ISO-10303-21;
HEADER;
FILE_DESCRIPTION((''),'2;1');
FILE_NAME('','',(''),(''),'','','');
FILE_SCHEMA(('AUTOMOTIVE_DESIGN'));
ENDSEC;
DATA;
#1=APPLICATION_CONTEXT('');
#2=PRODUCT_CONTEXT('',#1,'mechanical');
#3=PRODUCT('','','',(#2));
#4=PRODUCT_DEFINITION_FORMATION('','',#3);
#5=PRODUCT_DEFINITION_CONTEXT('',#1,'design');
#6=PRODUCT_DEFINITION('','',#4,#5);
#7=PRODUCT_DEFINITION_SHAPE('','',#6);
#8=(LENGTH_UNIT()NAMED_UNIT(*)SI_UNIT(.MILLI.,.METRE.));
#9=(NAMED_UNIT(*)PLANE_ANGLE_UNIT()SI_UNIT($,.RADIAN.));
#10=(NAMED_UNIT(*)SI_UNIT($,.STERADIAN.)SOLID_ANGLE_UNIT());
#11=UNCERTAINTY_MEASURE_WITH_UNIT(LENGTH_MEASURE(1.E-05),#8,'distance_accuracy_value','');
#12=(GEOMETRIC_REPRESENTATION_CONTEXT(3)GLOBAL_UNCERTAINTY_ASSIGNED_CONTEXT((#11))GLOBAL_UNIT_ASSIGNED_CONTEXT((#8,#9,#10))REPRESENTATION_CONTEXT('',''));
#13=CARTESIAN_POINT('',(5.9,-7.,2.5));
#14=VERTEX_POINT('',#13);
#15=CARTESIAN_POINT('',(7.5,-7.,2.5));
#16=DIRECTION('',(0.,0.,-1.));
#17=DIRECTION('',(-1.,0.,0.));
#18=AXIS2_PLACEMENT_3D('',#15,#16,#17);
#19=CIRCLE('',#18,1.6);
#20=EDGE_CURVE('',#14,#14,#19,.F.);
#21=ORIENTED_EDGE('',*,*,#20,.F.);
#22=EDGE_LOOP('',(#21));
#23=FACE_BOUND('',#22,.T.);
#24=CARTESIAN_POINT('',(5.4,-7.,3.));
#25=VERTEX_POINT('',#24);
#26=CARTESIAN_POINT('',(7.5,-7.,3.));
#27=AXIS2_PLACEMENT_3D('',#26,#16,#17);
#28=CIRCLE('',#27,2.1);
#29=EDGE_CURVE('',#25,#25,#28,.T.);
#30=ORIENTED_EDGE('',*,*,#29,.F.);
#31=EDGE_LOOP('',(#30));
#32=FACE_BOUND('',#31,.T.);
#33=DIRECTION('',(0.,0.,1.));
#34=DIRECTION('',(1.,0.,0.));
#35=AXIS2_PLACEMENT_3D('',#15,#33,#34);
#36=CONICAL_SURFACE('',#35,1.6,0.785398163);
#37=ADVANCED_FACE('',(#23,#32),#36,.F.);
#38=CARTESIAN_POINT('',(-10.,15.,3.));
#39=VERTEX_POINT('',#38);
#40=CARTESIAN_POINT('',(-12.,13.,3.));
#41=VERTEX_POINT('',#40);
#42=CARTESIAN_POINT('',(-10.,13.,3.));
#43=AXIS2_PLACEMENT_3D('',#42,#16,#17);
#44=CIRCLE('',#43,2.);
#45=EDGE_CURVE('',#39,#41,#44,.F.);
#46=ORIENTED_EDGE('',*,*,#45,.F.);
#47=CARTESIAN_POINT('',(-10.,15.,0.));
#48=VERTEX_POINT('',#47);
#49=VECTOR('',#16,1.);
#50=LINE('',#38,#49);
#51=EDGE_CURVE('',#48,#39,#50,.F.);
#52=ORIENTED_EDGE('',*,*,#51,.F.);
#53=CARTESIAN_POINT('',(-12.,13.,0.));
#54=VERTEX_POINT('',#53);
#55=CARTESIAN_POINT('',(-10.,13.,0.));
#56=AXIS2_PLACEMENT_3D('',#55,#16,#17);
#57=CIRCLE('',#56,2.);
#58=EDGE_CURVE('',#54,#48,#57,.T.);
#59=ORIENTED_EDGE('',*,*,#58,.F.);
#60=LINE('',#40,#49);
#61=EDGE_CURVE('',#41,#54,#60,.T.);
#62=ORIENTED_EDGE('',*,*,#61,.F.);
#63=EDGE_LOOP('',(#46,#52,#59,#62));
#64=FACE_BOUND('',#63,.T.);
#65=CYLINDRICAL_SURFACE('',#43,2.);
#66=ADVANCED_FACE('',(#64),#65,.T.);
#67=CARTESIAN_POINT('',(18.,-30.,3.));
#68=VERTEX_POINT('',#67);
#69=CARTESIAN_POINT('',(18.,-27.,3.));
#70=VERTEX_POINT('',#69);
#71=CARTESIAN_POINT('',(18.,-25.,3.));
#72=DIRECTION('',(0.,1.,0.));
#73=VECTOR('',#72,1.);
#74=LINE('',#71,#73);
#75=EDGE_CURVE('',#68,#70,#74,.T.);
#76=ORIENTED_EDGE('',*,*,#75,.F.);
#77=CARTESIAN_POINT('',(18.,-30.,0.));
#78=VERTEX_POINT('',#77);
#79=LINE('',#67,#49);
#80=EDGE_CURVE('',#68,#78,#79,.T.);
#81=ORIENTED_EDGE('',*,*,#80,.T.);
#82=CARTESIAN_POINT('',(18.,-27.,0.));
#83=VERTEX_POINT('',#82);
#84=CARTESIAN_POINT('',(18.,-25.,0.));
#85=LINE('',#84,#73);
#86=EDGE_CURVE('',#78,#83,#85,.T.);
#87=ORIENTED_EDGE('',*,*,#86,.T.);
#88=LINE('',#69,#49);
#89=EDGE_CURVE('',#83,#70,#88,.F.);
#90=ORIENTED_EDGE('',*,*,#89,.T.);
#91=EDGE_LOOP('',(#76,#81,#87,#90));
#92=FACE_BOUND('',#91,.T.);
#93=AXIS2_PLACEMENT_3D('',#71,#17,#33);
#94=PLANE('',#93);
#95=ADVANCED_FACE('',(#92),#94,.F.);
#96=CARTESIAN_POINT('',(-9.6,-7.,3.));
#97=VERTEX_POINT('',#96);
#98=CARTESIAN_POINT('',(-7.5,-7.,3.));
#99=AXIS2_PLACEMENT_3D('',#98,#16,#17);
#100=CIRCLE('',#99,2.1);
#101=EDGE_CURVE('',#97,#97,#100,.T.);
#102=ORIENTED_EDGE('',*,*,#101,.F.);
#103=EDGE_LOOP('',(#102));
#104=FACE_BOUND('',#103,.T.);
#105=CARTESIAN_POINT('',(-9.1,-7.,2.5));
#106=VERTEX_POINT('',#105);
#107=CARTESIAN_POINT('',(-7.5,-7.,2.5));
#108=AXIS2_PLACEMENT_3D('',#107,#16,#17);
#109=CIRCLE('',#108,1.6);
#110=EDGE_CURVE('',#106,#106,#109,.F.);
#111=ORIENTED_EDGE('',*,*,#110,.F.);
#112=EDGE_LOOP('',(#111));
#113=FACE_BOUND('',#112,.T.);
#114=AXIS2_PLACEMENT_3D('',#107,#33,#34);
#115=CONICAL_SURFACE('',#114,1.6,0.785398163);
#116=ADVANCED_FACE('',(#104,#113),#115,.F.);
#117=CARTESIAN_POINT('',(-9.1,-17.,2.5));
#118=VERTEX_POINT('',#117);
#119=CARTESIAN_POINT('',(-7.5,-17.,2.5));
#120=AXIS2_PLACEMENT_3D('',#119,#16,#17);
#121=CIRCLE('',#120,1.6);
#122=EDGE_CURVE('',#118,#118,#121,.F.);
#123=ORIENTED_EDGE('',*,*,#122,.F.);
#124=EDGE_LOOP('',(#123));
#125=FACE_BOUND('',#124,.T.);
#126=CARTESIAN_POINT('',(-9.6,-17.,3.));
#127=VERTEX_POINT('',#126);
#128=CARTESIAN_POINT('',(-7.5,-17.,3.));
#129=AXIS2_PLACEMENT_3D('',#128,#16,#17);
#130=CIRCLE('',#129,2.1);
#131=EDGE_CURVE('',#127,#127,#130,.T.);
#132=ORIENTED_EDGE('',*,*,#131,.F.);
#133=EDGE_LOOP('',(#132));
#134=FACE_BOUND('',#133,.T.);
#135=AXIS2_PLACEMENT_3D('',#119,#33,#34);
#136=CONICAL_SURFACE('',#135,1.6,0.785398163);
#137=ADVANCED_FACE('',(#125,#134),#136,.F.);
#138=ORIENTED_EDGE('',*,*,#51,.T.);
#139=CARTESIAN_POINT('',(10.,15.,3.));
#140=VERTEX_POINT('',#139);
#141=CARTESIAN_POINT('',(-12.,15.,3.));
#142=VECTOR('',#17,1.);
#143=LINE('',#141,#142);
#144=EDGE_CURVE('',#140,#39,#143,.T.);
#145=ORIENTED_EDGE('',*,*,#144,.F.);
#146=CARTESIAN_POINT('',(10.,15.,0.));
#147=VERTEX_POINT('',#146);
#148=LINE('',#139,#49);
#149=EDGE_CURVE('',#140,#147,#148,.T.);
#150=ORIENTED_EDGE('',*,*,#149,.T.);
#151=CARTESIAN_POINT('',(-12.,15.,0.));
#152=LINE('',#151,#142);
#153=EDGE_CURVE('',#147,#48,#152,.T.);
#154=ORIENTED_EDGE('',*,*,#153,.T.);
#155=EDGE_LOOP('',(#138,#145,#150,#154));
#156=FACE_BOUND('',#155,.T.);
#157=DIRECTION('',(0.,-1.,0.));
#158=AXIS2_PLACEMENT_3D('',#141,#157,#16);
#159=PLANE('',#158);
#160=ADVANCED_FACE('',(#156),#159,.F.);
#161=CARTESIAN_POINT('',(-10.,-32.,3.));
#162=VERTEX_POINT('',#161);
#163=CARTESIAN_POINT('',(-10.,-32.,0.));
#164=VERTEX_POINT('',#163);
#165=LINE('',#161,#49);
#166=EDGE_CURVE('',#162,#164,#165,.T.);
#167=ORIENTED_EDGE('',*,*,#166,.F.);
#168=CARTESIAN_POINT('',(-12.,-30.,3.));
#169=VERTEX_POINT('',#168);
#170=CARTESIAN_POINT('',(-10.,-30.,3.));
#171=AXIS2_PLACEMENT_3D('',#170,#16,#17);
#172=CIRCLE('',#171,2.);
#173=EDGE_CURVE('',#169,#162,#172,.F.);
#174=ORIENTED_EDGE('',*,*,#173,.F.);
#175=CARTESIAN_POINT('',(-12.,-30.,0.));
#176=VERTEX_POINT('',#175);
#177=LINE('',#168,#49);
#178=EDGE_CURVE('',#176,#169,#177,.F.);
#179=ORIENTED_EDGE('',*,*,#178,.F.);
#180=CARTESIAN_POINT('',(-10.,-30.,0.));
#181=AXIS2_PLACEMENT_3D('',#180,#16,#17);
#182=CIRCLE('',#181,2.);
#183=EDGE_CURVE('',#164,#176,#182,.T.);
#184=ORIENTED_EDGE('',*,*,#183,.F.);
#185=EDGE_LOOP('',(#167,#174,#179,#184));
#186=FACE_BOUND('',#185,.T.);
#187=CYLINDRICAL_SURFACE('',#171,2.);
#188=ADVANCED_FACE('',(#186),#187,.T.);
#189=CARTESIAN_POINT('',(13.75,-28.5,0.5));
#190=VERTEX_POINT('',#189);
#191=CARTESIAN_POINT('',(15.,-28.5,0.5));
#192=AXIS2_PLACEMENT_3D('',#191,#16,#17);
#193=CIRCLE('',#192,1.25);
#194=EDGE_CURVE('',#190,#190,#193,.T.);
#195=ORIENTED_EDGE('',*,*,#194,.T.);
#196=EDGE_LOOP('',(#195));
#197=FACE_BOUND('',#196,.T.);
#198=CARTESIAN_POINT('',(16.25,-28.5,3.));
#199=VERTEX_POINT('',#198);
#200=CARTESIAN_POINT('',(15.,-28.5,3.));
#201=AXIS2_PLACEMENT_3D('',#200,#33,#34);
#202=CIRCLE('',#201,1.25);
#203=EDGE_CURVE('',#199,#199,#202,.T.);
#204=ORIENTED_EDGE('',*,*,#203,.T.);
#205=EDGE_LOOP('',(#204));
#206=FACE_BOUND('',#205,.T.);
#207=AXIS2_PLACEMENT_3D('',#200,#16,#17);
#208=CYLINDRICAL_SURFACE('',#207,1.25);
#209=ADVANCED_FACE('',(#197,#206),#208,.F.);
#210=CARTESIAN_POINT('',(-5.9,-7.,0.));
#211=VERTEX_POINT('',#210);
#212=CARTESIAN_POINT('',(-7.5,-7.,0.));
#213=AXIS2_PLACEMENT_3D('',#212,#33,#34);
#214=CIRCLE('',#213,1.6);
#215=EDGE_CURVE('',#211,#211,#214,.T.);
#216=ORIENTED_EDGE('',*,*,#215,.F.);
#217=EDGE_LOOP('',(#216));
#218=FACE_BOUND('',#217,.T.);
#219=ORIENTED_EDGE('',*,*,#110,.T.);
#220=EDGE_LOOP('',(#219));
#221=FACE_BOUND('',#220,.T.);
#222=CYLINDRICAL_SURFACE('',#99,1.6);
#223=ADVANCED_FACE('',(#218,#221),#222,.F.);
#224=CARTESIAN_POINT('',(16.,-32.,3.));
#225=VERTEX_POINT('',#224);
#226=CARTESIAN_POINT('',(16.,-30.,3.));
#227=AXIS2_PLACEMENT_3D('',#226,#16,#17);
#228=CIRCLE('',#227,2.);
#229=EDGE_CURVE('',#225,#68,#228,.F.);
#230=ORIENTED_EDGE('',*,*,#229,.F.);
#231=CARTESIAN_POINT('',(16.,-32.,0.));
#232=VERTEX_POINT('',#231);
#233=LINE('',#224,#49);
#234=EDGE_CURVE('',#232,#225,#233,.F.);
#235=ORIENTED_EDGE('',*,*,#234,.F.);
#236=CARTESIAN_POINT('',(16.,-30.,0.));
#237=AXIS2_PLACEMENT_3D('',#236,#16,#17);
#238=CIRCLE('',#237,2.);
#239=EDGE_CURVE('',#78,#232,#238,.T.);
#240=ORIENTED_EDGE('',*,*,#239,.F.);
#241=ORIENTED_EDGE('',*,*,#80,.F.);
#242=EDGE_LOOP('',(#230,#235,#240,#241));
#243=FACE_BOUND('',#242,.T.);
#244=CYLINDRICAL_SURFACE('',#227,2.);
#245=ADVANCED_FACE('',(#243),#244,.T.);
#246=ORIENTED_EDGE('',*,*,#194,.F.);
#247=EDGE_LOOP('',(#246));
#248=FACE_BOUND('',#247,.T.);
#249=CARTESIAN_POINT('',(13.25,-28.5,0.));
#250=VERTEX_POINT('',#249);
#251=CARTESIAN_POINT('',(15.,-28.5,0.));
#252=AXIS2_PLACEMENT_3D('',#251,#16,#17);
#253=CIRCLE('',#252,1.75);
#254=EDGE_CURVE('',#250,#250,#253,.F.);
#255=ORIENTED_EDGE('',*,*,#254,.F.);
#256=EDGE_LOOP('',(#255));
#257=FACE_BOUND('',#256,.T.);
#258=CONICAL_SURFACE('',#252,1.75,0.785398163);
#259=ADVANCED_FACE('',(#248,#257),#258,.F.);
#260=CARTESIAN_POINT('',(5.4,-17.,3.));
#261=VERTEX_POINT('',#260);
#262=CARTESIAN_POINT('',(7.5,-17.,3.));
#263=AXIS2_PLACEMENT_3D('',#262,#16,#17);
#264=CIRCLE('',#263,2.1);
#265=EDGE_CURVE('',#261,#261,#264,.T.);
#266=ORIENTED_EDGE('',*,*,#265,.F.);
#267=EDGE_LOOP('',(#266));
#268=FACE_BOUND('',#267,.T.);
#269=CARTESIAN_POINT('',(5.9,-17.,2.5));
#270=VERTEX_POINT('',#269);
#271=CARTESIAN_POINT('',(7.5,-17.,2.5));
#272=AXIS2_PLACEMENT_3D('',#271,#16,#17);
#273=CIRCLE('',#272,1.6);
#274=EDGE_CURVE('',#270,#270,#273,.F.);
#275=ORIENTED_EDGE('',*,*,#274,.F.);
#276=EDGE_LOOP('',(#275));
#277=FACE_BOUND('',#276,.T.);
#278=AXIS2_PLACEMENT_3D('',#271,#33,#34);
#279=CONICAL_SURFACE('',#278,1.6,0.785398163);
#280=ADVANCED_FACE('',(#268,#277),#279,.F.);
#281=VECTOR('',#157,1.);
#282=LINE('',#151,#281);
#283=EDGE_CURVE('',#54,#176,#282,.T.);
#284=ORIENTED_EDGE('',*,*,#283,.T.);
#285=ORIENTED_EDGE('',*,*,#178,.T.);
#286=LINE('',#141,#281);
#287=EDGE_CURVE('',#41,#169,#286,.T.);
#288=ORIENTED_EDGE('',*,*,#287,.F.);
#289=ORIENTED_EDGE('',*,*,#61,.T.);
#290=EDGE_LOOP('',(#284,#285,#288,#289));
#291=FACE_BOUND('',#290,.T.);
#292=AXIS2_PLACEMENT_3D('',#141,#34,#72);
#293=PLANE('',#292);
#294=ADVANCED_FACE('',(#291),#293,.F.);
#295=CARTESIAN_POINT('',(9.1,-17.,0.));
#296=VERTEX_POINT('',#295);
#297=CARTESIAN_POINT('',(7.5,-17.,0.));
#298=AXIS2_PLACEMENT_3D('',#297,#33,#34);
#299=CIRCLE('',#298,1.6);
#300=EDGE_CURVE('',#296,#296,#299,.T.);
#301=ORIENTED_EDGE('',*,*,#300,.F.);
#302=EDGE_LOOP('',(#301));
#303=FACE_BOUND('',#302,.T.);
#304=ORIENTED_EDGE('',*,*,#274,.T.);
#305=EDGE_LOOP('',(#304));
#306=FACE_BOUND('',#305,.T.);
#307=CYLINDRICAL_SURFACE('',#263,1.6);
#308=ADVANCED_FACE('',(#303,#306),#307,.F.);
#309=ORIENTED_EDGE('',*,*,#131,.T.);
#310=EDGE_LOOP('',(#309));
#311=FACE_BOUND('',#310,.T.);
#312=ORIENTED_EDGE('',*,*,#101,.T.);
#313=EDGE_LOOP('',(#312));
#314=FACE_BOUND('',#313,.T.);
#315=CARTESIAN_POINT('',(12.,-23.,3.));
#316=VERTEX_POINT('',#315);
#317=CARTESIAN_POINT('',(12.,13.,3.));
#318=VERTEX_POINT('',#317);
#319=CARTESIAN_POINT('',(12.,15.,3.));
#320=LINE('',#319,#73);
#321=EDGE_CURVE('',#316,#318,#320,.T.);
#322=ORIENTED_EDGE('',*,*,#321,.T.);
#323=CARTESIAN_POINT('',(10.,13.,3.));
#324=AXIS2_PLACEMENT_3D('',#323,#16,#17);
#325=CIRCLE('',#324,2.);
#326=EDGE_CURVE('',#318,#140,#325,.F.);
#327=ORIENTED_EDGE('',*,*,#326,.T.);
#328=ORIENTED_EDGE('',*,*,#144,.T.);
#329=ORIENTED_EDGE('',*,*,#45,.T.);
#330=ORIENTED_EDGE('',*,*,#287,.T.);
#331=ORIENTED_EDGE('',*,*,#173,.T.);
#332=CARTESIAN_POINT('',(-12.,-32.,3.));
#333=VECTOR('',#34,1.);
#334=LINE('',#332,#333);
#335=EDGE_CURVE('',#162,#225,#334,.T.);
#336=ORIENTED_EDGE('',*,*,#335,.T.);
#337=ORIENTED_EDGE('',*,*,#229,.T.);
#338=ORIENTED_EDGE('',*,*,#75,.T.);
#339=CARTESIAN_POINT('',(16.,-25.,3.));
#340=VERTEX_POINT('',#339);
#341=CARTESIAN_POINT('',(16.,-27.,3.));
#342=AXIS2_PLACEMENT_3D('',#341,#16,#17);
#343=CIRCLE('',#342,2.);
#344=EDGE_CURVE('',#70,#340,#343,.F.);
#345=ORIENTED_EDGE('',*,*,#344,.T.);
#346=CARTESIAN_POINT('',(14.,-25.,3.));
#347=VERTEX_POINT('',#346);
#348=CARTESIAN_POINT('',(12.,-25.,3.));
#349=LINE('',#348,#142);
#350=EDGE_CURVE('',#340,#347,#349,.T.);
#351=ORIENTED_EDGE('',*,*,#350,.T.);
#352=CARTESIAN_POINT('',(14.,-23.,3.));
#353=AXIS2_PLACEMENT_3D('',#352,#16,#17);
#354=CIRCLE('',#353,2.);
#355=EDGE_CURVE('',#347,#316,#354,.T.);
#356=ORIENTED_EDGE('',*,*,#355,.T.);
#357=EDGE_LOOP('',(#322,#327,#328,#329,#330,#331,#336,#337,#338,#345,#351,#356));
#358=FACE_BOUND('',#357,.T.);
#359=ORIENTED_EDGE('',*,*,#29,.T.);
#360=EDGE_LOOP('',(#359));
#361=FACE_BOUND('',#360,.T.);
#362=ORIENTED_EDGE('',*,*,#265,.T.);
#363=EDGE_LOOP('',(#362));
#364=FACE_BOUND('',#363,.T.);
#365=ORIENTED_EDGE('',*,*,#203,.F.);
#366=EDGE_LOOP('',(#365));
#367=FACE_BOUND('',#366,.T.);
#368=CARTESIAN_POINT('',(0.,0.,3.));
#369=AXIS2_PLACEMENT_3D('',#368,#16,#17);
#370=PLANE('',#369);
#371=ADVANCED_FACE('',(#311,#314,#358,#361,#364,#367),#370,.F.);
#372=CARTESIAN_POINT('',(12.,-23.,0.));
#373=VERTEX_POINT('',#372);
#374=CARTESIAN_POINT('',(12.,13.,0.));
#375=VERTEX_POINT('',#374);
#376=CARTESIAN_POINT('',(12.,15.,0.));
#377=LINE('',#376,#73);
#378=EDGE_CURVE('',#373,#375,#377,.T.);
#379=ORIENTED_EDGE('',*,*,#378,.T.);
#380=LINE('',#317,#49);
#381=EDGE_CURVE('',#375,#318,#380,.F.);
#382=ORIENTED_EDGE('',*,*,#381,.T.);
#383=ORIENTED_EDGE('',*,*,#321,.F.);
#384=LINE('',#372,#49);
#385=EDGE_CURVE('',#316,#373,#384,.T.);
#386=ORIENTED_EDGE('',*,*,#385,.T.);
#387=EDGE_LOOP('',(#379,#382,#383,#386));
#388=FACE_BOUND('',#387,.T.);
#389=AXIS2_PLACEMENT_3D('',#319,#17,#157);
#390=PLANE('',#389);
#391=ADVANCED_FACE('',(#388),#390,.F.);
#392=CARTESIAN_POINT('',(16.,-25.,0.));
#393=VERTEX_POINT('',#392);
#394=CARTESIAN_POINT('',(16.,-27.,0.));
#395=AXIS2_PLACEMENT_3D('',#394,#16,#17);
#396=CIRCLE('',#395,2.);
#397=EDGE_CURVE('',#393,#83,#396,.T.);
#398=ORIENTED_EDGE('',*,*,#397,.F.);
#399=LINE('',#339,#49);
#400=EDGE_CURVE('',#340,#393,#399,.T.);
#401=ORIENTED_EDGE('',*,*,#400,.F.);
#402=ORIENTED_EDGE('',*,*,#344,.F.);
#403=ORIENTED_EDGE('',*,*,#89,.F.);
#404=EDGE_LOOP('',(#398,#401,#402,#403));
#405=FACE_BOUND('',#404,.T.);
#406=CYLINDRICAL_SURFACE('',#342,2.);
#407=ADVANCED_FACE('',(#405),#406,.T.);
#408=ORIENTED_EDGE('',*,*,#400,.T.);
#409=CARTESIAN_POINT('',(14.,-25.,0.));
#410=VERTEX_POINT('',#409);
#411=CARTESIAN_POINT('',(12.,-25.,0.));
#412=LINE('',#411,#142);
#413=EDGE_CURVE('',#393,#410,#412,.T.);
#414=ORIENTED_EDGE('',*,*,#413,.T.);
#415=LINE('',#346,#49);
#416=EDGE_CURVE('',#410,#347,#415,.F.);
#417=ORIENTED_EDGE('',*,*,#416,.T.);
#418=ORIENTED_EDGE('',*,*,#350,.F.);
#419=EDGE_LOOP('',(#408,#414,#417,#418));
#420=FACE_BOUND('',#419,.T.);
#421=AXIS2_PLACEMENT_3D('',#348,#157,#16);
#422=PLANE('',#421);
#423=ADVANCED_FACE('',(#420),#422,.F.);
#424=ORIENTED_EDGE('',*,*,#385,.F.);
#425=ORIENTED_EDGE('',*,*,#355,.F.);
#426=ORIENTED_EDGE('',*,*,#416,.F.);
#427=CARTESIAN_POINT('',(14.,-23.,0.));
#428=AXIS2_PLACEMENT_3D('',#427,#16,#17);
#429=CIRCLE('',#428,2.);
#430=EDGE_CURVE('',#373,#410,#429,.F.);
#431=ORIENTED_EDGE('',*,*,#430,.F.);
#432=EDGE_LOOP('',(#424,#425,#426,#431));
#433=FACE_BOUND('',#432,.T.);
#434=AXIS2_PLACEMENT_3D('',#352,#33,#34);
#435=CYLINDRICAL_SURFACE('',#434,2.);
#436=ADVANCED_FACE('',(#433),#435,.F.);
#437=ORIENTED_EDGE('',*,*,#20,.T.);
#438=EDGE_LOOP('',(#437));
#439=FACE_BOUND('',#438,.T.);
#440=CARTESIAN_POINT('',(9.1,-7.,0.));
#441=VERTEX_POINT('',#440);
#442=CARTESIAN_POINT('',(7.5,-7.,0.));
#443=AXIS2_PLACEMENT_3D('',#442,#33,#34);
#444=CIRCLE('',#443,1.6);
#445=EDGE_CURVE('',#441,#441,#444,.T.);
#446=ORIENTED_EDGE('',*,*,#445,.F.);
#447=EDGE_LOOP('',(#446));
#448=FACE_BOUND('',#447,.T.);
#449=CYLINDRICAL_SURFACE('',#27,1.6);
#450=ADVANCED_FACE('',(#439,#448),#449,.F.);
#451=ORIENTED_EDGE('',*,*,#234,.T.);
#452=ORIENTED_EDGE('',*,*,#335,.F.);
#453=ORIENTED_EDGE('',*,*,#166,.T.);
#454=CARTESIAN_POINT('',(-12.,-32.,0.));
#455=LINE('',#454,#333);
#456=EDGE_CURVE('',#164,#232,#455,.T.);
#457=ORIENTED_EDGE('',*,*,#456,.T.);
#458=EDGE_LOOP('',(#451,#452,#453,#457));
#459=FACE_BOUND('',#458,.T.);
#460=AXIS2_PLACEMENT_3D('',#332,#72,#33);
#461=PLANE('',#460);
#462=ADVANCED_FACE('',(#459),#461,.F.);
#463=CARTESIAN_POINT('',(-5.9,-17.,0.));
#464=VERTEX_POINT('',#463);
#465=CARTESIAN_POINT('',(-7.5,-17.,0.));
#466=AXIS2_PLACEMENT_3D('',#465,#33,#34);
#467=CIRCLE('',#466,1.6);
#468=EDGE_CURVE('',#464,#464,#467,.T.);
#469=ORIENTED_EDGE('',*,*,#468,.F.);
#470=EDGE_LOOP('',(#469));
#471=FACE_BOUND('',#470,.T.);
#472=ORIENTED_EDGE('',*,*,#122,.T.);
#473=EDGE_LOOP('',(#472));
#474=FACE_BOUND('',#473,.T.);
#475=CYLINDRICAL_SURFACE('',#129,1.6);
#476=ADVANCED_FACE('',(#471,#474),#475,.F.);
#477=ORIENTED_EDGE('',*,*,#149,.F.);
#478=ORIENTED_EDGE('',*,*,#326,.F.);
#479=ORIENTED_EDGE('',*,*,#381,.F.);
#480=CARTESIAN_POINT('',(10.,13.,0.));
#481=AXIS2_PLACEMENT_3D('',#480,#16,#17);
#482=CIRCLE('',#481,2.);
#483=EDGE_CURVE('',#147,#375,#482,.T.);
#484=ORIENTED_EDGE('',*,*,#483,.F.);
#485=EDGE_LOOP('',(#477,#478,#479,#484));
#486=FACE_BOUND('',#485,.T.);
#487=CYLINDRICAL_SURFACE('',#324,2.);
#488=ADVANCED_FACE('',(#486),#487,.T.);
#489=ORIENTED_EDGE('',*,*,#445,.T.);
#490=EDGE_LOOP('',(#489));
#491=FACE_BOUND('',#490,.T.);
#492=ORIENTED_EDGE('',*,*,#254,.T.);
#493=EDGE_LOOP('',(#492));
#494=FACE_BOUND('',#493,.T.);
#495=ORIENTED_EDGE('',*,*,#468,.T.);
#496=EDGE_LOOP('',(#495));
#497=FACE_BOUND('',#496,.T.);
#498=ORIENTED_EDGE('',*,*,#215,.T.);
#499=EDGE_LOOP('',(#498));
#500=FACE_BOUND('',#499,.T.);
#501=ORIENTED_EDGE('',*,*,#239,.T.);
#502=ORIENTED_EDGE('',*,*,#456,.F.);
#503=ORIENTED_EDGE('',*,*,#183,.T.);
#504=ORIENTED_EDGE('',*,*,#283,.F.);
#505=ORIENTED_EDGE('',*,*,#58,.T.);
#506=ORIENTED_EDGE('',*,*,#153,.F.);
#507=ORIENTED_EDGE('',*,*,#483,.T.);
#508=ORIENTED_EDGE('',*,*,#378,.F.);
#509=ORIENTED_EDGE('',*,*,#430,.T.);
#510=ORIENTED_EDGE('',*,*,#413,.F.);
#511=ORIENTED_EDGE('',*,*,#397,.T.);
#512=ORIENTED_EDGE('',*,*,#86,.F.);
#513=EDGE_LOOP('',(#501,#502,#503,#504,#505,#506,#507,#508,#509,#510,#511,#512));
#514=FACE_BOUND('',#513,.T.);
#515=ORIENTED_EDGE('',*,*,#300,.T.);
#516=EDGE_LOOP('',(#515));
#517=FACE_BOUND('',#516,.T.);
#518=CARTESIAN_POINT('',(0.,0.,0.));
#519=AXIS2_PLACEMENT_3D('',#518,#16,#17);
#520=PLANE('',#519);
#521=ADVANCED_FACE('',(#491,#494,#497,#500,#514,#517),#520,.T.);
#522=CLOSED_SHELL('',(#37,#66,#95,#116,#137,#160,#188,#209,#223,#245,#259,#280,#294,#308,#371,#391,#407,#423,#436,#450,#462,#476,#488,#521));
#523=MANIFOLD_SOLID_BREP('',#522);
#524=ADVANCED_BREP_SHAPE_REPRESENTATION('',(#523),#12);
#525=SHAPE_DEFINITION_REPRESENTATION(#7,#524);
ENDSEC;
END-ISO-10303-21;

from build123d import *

# Parameters (mm, degrees)
SKETCH_1_R      = 1.6
SKETCH_1_R_2    = 1.25
EXTRUDE_1_DEPTH = 3
CHAMFER_1_SIZE  = 0.5
FILLET_1_R      = 2


with BuildPart() as part:
    # 草图1 → 凸台-拉伸1 (new body)
    with BuildSketch(Plane.XY):
        Polygon((12, -25), (18, -25), (18, -32), (-12, -32), (-12, 15), (12, 15), align=None)
        with Locations((-7.5, -7)):
            Circle(SKETCH_1_R, mode=Mode.SUBTRACT)
        with Locations((7.5, -7)):
            Circle(SKETCH_1_R, mode=Mode.SUBTRACT)
        with Locations((-7.5, -17)):
            Circle(SKETCH_1_R, mode=Mode.SUBTRACT)
        with Locations((7.5, -17)):
            Circle(SKETCH_1_R, mode=Mode.SUBTRACT)
        with Locations((15, -28.5)):
            Circle(SKETCH_1_R_2, mode=Mode.SUBTRACT)
    extrude(amount=EXTRUDE_1_DEPTH)

    # 倒角1
    chamfer_1_edges = [part.edges().sort_by_distance(p)[0] for p in [
        (13.75, -28.5, 0),
        (-9.1, -7, 3),
        (5.9, -7, 3),
        (-9.1, -17, 3),
        (5.9, -17, 3),
    ]]
    chamfer(chamfer_1_edges, length=CHAMFER_1_SIZE)

    # 圆角1
    fillet_1_edges = [part.edges().sort_by_distance(p)[0] for p in [
        (-12, -32, 1.5),
        (-12, 15, 1.5),
        (12, 15, 1.5),
        (12, -25, 1.5),
        (18, -25, 1.5),
        (18, -32, 1.5),
    ]]
    fillet(fillet_1_edges, radius=FILLET_1_R)


solid = part.part
